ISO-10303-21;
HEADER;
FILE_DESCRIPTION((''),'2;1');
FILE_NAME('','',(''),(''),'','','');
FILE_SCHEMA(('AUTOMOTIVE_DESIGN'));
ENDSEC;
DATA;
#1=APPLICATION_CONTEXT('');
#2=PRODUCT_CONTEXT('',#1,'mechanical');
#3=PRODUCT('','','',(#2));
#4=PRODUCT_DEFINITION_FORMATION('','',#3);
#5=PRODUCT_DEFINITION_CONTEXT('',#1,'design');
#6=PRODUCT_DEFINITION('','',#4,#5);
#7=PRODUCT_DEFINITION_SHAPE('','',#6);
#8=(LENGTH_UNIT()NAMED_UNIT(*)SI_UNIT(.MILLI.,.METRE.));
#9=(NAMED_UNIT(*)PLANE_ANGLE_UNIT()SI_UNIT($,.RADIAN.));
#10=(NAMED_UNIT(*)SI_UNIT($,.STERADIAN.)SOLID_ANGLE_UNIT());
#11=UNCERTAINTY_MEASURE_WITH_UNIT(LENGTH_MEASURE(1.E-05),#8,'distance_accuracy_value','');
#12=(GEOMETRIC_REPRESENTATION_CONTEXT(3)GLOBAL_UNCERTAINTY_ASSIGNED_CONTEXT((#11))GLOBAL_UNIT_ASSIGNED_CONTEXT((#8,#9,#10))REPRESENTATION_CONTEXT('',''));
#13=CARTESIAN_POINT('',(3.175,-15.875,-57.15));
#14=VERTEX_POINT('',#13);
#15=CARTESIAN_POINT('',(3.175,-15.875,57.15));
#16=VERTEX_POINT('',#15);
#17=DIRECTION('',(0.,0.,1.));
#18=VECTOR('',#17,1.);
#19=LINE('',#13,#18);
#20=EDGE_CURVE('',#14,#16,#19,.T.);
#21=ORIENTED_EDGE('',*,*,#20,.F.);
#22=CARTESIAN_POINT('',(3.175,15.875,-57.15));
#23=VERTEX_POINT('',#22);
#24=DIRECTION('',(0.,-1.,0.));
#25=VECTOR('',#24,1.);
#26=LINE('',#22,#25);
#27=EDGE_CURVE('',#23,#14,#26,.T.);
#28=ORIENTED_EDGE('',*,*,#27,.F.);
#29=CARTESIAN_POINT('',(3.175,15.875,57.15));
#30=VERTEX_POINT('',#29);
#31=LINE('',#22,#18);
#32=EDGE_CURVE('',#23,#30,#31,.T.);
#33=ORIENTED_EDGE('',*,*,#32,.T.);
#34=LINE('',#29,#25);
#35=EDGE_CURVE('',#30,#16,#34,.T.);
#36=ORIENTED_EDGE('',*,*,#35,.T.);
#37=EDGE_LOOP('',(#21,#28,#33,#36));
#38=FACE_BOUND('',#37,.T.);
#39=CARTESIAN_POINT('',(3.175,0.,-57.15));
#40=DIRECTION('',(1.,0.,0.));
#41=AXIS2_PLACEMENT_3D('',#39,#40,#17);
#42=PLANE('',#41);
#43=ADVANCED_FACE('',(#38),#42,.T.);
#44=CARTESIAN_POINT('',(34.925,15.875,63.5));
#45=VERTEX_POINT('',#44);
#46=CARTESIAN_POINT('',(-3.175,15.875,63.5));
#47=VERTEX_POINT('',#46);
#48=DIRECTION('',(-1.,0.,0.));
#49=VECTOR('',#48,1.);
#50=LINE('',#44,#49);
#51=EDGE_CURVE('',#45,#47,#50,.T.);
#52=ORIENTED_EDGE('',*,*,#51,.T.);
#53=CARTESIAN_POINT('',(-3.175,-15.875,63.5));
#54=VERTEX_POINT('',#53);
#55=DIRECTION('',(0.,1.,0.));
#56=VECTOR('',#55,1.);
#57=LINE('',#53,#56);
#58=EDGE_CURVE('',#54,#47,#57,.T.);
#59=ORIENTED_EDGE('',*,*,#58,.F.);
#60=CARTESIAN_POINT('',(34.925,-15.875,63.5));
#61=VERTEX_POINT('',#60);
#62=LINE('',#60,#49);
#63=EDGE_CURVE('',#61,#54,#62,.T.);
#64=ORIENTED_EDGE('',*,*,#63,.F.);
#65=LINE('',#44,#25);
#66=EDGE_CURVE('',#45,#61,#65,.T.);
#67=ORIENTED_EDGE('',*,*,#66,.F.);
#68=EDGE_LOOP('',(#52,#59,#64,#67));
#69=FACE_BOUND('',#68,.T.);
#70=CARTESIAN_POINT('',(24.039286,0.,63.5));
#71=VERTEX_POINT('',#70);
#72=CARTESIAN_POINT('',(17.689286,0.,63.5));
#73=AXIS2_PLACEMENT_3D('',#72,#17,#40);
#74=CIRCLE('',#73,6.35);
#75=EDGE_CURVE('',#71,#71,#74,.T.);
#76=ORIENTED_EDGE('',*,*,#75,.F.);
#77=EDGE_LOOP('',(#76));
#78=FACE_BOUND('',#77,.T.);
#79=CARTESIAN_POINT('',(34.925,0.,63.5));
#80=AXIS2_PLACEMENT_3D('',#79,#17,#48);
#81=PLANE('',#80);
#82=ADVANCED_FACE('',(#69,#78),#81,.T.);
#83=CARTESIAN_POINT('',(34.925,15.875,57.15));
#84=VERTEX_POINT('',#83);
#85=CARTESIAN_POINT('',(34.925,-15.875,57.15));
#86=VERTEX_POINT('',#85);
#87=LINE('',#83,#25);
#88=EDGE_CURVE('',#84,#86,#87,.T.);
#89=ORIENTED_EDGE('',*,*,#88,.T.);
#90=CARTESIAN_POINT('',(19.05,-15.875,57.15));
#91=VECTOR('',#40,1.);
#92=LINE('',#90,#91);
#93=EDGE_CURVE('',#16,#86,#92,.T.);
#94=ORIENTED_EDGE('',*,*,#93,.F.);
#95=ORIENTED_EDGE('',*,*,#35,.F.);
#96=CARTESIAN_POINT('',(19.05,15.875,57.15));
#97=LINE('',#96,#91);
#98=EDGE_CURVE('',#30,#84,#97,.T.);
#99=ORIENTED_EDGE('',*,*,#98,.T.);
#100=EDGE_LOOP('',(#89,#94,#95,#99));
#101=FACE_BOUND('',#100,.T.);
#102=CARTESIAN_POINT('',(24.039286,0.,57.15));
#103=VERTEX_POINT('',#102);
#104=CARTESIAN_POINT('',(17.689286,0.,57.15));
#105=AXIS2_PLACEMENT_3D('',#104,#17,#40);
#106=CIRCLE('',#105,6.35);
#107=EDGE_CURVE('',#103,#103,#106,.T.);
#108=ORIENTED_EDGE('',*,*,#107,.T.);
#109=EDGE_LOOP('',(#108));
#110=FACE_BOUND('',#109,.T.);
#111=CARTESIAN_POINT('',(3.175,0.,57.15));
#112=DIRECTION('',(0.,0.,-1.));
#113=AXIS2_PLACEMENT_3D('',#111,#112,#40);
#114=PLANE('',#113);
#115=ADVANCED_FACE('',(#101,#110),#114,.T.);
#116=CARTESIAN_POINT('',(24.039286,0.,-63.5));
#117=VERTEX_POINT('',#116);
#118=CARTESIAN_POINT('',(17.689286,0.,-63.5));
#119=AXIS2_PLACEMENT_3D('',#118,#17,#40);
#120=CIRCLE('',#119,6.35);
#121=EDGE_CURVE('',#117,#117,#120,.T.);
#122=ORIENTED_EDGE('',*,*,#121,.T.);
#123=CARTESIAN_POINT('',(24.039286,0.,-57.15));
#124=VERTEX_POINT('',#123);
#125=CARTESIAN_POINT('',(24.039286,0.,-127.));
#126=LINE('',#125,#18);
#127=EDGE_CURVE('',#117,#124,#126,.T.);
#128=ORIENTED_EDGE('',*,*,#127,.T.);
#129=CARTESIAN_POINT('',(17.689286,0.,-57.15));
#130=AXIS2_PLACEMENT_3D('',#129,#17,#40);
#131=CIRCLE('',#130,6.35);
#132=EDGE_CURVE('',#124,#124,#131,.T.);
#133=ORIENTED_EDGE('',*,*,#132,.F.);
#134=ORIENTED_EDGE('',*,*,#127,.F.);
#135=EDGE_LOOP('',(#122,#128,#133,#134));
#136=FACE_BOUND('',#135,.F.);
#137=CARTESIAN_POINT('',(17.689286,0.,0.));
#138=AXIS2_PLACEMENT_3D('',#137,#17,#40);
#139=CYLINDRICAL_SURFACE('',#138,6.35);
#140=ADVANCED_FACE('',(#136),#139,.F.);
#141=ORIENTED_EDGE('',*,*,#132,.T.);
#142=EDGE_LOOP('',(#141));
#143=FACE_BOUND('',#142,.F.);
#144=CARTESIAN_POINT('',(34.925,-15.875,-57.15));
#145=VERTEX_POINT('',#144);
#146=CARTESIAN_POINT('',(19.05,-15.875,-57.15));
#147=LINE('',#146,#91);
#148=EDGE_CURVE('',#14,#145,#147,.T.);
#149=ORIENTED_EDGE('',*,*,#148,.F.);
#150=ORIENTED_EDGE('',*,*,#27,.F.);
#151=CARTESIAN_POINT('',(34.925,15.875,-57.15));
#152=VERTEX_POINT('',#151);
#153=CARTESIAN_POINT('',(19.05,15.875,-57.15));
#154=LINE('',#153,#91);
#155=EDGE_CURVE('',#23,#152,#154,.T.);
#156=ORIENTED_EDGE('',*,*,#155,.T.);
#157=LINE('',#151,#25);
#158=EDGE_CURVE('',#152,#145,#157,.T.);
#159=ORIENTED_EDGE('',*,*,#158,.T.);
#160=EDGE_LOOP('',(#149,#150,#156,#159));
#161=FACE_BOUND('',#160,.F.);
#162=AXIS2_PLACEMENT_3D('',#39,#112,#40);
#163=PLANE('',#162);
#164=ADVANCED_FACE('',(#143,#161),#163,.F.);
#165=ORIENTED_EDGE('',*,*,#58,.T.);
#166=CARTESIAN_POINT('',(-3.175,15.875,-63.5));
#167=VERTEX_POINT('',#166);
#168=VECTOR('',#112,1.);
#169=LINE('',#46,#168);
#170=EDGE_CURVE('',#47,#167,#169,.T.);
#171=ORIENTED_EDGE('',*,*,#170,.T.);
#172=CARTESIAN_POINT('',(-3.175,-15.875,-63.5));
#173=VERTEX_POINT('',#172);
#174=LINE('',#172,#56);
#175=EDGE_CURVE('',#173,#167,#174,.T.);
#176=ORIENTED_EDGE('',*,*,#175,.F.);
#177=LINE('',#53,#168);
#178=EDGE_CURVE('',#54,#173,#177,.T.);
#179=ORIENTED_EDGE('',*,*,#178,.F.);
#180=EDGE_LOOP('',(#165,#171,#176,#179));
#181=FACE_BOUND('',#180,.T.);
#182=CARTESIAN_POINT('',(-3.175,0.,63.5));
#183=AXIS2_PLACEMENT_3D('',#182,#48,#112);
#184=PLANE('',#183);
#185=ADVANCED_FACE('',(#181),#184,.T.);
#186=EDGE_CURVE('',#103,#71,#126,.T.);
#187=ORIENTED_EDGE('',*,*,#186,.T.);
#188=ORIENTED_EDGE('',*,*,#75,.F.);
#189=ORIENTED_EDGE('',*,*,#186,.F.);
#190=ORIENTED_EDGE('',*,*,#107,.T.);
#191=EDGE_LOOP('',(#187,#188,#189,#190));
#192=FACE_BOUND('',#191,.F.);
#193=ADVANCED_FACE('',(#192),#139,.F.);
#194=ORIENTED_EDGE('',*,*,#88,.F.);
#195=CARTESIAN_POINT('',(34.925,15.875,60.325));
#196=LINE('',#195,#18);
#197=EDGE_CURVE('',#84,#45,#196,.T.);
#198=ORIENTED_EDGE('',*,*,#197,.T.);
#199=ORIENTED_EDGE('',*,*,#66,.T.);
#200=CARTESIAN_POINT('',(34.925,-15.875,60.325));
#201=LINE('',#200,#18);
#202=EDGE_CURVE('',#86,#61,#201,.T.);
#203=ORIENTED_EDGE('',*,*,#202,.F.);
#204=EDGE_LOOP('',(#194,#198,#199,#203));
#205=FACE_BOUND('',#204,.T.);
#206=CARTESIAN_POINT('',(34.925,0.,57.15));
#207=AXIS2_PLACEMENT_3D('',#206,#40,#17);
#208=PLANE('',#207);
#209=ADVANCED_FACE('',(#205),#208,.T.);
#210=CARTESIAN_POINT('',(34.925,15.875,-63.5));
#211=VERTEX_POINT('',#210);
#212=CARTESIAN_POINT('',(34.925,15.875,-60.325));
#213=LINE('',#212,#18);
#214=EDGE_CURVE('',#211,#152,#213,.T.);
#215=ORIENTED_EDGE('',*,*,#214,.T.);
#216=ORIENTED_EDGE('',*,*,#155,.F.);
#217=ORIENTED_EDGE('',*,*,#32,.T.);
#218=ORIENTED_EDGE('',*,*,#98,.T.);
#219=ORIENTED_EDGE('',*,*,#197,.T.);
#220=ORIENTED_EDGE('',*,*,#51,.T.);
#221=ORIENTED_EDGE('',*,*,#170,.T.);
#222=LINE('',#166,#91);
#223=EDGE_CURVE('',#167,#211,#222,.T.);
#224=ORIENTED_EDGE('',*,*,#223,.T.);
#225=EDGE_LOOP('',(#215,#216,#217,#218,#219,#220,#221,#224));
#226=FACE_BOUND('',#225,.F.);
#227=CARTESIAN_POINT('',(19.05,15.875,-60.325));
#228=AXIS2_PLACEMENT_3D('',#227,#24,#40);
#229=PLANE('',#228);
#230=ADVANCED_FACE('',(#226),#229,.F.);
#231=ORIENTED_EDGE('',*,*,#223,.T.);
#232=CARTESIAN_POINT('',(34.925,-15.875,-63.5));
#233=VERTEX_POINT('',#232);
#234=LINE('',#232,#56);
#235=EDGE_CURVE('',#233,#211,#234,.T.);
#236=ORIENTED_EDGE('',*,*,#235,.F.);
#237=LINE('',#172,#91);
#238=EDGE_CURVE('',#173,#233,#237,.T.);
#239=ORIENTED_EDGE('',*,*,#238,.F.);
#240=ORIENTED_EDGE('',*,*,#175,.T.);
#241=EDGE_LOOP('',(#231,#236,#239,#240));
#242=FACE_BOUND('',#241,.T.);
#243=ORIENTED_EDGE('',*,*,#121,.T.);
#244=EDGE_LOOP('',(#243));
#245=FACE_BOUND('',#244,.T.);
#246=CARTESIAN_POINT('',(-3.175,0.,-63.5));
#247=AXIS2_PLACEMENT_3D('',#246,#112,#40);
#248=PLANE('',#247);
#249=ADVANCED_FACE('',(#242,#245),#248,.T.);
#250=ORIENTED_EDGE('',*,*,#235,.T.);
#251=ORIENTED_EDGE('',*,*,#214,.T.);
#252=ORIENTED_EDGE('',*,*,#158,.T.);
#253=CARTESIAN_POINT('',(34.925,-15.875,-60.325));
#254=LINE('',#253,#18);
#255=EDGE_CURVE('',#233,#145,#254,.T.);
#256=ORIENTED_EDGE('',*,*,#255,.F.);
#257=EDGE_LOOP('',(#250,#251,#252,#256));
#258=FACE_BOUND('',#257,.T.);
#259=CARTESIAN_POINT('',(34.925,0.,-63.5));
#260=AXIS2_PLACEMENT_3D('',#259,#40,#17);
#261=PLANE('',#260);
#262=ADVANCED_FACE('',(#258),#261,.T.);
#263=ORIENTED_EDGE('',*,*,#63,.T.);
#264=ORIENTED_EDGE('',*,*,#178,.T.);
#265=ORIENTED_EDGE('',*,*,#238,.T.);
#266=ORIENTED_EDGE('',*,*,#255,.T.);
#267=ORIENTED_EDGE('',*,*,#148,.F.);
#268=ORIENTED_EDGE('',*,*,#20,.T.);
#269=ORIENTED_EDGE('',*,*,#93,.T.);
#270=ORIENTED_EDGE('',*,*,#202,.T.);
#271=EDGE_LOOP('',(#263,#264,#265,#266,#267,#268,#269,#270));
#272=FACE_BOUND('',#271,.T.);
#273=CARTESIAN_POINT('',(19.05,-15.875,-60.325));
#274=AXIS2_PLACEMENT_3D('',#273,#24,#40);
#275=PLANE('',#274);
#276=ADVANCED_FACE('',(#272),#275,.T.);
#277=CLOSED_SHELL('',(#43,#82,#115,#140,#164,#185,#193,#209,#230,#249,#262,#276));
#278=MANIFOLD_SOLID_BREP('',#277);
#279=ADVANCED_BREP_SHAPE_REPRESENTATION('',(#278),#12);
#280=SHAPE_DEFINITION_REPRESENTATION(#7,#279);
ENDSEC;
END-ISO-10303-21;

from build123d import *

# Parameters (mm, degrees)
F0_W     = 31.75
F0_H     = 6.35
F1_DEPTH = 15.875
F2_R     = 6.35
F3_DEPTH = 127


with BuildPart() as f1:
    # F0 (on Front) → F1 (new body, symmetric)
    with BuildSketch(Plane.XZ):
        with Locations((19.05, -60.325)):
            Rectangle(F0_W, F0_H)
        Polygon((3.175, 63.5), (-3.175, 63.5), (-3.175, -63.5), (3.175, -63.5), (3.175, -57.15), (3.175, 57.15), align=None)
        with Locations((19.05, 60.325)):
            Rectangle(F0_W, F0_H)
    extrude(amount=F1_DEPTH, both=True)

    # F2 (on Top) → F3 (cut, symmetric)
    with BuildSketch(Plane.XY):
        with Locations((17.689286, 0)):
            Circle(F2_R)
    extrude(amount=F3_DEPTH, both=True, mode=Mode.SUBTRACT)


solid = f1.part
